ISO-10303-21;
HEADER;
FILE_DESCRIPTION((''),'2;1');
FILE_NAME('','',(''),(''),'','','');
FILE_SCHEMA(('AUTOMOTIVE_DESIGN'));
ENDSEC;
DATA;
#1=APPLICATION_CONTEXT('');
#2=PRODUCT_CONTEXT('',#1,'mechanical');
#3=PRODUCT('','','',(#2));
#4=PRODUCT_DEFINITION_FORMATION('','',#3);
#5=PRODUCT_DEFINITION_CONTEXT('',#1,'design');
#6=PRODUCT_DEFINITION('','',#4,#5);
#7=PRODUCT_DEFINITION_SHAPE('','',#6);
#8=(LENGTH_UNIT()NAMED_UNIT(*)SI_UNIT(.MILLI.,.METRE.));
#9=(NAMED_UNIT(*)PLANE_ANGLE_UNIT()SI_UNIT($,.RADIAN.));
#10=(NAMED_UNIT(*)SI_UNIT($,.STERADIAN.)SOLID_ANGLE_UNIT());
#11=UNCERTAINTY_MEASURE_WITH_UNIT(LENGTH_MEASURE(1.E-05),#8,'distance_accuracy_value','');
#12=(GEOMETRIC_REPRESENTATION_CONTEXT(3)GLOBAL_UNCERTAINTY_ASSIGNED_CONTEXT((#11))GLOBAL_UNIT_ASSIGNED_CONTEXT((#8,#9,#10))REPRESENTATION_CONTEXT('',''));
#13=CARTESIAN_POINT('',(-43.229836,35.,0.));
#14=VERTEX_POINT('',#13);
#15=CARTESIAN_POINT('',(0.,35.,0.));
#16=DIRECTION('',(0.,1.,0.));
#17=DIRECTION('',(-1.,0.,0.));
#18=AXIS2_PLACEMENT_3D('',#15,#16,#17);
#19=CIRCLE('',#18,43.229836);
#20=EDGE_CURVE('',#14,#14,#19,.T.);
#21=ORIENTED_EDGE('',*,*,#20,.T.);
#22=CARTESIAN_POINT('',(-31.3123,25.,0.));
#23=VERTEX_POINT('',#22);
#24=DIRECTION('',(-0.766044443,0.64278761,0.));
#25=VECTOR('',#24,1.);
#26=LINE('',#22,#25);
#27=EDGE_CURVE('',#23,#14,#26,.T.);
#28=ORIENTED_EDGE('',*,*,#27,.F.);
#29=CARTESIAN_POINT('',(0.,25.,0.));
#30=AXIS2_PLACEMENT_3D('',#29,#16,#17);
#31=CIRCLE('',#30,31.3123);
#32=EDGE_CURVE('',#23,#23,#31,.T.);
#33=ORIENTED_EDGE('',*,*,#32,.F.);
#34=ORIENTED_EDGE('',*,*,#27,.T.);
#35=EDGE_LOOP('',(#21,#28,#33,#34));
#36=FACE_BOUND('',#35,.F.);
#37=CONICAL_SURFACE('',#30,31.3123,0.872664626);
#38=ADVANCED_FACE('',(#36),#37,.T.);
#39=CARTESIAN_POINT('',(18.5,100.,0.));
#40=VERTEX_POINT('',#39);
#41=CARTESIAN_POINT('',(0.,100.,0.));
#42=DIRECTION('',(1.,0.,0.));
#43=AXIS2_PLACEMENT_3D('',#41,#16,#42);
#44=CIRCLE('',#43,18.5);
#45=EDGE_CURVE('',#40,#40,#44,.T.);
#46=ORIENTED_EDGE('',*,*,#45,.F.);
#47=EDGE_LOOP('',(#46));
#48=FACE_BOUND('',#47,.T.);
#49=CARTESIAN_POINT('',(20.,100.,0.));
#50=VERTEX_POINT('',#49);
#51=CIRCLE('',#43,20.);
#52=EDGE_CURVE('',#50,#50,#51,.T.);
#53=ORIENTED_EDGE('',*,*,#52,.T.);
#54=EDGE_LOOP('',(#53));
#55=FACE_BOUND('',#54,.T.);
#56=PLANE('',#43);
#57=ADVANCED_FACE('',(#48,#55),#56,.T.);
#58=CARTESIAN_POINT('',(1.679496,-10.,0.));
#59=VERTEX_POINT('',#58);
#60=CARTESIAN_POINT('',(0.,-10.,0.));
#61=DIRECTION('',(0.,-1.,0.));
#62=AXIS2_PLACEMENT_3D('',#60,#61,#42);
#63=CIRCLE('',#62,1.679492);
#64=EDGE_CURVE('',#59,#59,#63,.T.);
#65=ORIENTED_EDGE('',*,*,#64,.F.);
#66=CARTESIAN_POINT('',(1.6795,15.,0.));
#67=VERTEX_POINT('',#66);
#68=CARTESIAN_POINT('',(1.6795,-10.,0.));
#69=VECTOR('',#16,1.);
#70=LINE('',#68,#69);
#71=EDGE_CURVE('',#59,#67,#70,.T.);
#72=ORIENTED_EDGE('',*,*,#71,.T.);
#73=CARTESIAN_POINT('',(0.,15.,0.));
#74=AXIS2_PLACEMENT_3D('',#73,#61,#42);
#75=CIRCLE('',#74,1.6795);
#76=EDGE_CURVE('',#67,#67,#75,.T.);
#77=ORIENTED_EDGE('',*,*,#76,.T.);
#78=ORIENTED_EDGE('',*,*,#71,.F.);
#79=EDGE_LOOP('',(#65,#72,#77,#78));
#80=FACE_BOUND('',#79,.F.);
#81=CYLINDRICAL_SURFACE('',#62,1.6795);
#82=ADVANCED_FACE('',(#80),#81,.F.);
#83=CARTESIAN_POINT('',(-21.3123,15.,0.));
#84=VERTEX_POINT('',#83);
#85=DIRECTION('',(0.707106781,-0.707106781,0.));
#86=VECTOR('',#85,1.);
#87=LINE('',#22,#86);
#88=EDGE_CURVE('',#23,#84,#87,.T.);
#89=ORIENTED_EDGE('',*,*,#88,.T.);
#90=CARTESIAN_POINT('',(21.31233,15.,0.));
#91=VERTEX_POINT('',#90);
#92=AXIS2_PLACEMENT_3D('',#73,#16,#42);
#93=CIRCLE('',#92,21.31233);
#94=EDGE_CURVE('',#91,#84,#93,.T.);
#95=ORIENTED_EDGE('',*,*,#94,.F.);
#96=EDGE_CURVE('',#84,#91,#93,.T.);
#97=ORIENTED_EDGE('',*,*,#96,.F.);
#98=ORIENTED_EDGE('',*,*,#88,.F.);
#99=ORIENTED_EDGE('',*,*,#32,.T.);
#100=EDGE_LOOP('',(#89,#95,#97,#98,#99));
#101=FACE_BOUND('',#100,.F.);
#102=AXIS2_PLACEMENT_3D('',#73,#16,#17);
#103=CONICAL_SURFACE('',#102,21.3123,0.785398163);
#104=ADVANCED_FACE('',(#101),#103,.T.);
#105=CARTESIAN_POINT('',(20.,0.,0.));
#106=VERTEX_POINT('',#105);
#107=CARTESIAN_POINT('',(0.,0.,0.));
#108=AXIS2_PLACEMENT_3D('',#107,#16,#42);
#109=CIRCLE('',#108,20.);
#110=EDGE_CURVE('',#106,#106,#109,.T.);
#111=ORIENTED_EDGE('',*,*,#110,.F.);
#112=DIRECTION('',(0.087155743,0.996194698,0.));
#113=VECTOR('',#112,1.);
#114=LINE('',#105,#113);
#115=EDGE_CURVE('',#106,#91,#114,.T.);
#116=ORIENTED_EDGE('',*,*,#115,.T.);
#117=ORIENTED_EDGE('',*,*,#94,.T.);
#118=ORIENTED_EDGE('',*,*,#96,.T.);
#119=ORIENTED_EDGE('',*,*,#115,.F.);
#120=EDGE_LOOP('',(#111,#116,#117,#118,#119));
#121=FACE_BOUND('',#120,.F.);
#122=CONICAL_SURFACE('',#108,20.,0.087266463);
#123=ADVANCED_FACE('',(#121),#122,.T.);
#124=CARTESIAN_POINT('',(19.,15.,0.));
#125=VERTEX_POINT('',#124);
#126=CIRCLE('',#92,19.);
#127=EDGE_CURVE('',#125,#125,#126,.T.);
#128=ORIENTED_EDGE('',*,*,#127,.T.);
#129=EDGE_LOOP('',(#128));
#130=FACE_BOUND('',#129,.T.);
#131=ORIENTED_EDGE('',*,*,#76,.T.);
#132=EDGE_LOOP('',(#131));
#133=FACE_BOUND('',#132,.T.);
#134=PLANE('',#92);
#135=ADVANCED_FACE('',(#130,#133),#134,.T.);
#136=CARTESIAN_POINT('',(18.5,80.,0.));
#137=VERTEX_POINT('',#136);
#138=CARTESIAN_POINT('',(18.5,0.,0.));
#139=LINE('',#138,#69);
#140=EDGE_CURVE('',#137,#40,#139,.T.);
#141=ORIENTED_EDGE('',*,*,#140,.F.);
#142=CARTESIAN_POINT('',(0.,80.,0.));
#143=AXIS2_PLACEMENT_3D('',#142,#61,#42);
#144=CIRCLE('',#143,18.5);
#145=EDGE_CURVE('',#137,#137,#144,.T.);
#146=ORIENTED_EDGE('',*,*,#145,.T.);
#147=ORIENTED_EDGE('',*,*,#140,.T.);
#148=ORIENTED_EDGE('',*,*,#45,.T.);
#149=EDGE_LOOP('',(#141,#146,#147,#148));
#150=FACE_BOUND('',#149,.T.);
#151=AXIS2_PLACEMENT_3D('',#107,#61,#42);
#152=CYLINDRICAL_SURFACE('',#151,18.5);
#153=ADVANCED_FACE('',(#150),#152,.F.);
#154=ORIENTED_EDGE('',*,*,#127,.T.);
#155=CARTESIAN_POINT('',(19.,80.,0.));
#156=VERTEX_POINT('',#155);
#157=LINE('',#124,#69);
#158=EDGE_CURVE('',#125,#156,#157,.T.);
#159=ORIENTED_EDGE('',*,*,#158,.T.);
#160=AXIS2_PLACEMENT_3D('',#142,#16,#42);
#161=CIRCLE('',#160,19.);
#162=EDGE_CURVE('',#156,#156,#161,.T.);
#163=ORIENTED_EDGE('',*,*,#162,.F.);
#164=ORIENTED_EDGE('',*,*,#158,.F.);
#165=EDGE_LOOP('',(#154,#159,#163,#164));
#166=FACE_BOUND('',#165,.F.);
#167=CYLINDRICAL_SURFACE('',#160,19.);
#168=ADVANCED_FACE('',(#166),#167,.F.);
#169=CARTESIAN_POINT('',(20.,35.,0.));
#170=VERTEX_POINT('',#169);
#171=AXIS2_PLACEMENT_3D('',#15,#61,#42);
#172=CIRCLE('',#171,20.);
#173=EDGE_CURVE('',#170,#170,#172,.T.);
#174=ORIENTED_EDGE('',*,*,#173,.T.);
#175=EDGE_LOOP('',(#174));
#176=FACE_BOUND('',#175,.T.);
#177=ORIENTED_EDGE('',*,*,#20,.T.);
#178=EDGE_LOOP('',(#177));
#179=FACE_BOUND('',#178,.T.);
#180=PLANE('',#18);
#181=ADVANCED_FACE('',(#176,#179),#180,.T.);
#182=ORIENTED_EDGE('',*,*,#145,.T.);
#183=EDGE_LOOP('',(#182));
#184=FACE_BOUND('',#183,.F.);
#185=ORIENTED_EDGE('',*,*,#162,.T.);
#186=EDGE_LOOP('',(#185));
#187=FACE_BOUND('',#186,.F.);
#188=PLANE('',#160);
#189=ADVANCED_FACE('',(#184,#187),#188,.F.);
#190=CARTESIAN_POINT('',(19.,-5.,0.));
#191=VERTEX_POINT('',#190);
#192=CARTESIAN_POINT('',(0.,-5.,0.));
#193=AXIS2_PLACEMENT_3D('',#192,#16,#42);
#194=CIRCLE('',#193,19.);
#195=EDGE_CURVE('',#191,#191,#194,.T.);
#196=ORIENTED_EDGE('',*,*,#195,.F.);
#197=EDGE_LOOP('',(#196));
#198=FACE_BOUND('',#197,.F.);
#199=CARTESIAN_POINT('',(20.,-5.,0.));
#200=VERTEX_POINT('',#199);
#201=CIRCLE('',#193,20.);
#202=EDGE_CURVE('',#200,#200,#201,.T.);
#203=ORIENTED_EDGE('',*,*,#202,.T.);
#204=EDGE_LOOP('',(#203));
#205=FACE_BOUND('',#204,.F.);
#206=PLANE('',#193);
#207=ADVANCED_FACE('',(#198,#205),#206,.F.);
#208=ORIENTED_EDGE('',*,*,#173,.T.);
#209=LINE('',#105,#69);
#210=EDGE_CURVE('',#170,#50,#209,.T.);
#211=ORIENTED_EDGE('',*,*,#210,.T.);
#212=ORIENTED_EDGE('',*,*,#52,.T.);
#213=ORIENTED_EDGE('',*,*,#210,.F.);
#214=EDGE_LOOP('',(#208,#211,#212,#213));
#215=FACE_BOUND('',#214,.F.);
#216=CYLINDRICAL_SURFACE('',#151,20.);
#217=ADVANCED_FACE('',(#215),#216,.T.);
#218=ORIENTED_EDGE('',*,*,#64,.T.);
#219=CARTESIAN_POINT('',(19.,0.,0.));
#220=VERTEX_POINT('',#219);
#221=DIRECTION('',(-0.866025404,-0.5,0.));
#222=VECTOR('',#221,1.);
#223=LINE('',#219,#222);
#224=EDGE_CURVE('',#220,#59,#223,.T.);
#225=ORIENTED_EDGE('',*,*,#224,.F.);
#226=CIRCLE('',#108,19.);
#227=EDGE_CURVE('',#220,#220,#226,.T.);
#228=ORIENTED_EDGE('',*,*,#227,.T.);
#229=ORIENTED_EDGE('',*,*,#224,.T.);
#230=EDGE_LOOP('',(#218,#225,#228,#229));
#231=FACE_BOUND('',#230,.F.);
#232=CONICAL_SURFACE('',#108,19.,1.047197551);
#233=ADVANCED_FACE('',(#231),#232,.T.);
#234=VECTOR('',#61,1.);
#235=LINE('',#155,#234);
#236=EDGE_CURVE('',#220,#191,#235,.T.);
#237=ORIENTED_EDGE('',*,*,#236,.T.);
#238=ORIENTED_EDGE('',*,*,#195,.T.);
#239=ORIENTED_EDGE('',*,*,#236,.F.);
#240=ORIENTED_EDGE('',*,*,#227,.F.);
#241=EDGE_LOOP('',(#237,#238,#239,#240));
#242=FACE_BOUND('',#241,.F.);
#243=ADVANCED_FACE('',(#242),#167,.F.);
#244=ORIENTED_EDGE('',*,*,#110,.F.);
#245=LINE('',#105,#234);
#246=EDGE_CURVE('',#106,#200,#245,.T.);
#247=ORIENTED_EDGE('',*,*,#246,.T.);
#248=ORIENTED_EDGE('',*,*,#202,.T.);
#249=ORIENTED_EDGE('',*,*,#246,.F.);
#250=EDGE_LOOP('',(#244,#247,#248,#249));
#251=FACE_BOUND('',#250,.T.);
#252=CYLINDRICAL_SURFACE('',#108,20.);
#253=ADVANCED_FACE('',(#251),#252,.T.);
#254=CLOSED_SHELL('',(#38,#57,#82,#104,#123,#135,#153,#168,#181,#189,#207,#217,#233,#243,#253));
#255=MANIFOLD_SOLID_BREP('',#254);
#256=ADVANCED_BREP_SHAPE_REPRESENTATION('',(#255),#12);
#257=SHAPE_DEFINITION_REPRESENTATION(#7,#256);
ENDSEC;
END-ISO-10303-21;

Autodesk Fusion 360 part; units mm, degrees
sketch "Sketch1" plane through (0, 0, 0) normal (0, 1, 0) x (1, 0, 0)
  circle A0 centre (0, 0) radius 20
  circle A1 centre (0, 0) radius 21.5
  dimension "d1" = 40
  dimension "d2" = 1.5
extrude "Extrude1" add sketch "Sketch1" along normal blind 100

Autodesk Fusion 360 part; units mm, degrees
sketch "Sketch1" plane through (0, 0, 0) normal (0, 1, 0) x (1, 0, 0)
  circle A0 centre (0, 0) radius 18.5
  circle A1 centre (0, 0) radius 20
  dimension "d1" = 37
  dimension "d2" = 1.5
extrude "Extrude1" add sketch "Sketch1" along normal blind 15 draft 5 and the other way blind 5
sketch "Sketch2" plane through (0, 15, 0) normal (0, 1, 0) x (-1, 0, 0)
  circle A0 centre (0, 0) radius 17.1877
  circle A1 centre (0, 0) radius 21.3123
  circle A2 centre (0, 0) radius 17.1877
  circle A3 centre (0, 0) radius 21.3123
extrude "Extrude2" add sketch "Sketch2" along normal blind 10 draft 45
sketch "Sketch3" plane through (0, 25, 0) normal (0, 1, 0) x (-1, 0, 0)
  circle A0 centre (0, 0) radius 7.1877
  circle A1 centre (0, 0) radius 31.3123
  circle A2 centre (0, 0) radius 12.1877
  circle A3 centre (0, 0) radius 26.3123
extrude "Extrude3" add sketch "Sketch3" along normal blind 10 draft 50 contours A1 | A3
sketch "Sketch4" plane through (0, 25, 0) normal (0, 1, 0) x (-1, 0, 0)
  circle A0 centre (0, 0) radius 12.1877
  circle A1 centre (0, 0) radius 7.1877
  circle A2 centre (0, 0) radius 7.1877
extrude "Extrude4" cut sketch "Sketch4" along normal blind 60 contours A1 A2
sketch "Sketch5" plane through (0, 35, 0) normal (0, 1, 0) x (-1, 0, 0)
  circle A0 centre (0, 0) radius 7.1877
  circle A1 centre (0, 0) radius 43.2299
  circle A2 centre (0, 0) radius 35
extrude "Extrude5" cut sketch "Sketch5" against normal blind 20 draft -50 contours A2
ref_plane "WorkPlane1" through (0, 15, 0) normal (0, 1, 0) x (0, 0, 1)
sketch "Sketch6" plane through (0, 15, 0) normal (0, 1, 0) x (1, 0, 0)
  circle A0 centre (0, 0) radius 19
  dimension "d16" = 38
extrude "Extrude6" cut sketch "Sketch6" along normal blind -70 and the other way blind -65
sketch "Sketch7" plane through (0, 15, 0) normal (0, 1, 0) x (1, 0, 0)
  circle A0 centre (0, 0) radius 19
extrude "Extrude7" add sketch "Sketch7" against normal blind 15
sketch "Sketch8" plane through (0, 0, 0) normal (0, -1, 0) x (1, 0, 0)
  circle A0 centre (0, 0) radius 19
  circle A1 centre (0, 0) radius 19
extrude "Extrude8" add sketch "Sketch8" along normal blind 10 draft -60
sketch "Sketch9" plane through (0, -10, 0) normal (0, -1, 0) x (1, 0, 0)
  circle A0 centre (0, 0) radius 1.6795
  circle A1 centre (0, 0) radius 1.6795
  dimension "d27" = 3.359
extrude "Extrude9" cut sketch "Sketch9" against normal blind 60
